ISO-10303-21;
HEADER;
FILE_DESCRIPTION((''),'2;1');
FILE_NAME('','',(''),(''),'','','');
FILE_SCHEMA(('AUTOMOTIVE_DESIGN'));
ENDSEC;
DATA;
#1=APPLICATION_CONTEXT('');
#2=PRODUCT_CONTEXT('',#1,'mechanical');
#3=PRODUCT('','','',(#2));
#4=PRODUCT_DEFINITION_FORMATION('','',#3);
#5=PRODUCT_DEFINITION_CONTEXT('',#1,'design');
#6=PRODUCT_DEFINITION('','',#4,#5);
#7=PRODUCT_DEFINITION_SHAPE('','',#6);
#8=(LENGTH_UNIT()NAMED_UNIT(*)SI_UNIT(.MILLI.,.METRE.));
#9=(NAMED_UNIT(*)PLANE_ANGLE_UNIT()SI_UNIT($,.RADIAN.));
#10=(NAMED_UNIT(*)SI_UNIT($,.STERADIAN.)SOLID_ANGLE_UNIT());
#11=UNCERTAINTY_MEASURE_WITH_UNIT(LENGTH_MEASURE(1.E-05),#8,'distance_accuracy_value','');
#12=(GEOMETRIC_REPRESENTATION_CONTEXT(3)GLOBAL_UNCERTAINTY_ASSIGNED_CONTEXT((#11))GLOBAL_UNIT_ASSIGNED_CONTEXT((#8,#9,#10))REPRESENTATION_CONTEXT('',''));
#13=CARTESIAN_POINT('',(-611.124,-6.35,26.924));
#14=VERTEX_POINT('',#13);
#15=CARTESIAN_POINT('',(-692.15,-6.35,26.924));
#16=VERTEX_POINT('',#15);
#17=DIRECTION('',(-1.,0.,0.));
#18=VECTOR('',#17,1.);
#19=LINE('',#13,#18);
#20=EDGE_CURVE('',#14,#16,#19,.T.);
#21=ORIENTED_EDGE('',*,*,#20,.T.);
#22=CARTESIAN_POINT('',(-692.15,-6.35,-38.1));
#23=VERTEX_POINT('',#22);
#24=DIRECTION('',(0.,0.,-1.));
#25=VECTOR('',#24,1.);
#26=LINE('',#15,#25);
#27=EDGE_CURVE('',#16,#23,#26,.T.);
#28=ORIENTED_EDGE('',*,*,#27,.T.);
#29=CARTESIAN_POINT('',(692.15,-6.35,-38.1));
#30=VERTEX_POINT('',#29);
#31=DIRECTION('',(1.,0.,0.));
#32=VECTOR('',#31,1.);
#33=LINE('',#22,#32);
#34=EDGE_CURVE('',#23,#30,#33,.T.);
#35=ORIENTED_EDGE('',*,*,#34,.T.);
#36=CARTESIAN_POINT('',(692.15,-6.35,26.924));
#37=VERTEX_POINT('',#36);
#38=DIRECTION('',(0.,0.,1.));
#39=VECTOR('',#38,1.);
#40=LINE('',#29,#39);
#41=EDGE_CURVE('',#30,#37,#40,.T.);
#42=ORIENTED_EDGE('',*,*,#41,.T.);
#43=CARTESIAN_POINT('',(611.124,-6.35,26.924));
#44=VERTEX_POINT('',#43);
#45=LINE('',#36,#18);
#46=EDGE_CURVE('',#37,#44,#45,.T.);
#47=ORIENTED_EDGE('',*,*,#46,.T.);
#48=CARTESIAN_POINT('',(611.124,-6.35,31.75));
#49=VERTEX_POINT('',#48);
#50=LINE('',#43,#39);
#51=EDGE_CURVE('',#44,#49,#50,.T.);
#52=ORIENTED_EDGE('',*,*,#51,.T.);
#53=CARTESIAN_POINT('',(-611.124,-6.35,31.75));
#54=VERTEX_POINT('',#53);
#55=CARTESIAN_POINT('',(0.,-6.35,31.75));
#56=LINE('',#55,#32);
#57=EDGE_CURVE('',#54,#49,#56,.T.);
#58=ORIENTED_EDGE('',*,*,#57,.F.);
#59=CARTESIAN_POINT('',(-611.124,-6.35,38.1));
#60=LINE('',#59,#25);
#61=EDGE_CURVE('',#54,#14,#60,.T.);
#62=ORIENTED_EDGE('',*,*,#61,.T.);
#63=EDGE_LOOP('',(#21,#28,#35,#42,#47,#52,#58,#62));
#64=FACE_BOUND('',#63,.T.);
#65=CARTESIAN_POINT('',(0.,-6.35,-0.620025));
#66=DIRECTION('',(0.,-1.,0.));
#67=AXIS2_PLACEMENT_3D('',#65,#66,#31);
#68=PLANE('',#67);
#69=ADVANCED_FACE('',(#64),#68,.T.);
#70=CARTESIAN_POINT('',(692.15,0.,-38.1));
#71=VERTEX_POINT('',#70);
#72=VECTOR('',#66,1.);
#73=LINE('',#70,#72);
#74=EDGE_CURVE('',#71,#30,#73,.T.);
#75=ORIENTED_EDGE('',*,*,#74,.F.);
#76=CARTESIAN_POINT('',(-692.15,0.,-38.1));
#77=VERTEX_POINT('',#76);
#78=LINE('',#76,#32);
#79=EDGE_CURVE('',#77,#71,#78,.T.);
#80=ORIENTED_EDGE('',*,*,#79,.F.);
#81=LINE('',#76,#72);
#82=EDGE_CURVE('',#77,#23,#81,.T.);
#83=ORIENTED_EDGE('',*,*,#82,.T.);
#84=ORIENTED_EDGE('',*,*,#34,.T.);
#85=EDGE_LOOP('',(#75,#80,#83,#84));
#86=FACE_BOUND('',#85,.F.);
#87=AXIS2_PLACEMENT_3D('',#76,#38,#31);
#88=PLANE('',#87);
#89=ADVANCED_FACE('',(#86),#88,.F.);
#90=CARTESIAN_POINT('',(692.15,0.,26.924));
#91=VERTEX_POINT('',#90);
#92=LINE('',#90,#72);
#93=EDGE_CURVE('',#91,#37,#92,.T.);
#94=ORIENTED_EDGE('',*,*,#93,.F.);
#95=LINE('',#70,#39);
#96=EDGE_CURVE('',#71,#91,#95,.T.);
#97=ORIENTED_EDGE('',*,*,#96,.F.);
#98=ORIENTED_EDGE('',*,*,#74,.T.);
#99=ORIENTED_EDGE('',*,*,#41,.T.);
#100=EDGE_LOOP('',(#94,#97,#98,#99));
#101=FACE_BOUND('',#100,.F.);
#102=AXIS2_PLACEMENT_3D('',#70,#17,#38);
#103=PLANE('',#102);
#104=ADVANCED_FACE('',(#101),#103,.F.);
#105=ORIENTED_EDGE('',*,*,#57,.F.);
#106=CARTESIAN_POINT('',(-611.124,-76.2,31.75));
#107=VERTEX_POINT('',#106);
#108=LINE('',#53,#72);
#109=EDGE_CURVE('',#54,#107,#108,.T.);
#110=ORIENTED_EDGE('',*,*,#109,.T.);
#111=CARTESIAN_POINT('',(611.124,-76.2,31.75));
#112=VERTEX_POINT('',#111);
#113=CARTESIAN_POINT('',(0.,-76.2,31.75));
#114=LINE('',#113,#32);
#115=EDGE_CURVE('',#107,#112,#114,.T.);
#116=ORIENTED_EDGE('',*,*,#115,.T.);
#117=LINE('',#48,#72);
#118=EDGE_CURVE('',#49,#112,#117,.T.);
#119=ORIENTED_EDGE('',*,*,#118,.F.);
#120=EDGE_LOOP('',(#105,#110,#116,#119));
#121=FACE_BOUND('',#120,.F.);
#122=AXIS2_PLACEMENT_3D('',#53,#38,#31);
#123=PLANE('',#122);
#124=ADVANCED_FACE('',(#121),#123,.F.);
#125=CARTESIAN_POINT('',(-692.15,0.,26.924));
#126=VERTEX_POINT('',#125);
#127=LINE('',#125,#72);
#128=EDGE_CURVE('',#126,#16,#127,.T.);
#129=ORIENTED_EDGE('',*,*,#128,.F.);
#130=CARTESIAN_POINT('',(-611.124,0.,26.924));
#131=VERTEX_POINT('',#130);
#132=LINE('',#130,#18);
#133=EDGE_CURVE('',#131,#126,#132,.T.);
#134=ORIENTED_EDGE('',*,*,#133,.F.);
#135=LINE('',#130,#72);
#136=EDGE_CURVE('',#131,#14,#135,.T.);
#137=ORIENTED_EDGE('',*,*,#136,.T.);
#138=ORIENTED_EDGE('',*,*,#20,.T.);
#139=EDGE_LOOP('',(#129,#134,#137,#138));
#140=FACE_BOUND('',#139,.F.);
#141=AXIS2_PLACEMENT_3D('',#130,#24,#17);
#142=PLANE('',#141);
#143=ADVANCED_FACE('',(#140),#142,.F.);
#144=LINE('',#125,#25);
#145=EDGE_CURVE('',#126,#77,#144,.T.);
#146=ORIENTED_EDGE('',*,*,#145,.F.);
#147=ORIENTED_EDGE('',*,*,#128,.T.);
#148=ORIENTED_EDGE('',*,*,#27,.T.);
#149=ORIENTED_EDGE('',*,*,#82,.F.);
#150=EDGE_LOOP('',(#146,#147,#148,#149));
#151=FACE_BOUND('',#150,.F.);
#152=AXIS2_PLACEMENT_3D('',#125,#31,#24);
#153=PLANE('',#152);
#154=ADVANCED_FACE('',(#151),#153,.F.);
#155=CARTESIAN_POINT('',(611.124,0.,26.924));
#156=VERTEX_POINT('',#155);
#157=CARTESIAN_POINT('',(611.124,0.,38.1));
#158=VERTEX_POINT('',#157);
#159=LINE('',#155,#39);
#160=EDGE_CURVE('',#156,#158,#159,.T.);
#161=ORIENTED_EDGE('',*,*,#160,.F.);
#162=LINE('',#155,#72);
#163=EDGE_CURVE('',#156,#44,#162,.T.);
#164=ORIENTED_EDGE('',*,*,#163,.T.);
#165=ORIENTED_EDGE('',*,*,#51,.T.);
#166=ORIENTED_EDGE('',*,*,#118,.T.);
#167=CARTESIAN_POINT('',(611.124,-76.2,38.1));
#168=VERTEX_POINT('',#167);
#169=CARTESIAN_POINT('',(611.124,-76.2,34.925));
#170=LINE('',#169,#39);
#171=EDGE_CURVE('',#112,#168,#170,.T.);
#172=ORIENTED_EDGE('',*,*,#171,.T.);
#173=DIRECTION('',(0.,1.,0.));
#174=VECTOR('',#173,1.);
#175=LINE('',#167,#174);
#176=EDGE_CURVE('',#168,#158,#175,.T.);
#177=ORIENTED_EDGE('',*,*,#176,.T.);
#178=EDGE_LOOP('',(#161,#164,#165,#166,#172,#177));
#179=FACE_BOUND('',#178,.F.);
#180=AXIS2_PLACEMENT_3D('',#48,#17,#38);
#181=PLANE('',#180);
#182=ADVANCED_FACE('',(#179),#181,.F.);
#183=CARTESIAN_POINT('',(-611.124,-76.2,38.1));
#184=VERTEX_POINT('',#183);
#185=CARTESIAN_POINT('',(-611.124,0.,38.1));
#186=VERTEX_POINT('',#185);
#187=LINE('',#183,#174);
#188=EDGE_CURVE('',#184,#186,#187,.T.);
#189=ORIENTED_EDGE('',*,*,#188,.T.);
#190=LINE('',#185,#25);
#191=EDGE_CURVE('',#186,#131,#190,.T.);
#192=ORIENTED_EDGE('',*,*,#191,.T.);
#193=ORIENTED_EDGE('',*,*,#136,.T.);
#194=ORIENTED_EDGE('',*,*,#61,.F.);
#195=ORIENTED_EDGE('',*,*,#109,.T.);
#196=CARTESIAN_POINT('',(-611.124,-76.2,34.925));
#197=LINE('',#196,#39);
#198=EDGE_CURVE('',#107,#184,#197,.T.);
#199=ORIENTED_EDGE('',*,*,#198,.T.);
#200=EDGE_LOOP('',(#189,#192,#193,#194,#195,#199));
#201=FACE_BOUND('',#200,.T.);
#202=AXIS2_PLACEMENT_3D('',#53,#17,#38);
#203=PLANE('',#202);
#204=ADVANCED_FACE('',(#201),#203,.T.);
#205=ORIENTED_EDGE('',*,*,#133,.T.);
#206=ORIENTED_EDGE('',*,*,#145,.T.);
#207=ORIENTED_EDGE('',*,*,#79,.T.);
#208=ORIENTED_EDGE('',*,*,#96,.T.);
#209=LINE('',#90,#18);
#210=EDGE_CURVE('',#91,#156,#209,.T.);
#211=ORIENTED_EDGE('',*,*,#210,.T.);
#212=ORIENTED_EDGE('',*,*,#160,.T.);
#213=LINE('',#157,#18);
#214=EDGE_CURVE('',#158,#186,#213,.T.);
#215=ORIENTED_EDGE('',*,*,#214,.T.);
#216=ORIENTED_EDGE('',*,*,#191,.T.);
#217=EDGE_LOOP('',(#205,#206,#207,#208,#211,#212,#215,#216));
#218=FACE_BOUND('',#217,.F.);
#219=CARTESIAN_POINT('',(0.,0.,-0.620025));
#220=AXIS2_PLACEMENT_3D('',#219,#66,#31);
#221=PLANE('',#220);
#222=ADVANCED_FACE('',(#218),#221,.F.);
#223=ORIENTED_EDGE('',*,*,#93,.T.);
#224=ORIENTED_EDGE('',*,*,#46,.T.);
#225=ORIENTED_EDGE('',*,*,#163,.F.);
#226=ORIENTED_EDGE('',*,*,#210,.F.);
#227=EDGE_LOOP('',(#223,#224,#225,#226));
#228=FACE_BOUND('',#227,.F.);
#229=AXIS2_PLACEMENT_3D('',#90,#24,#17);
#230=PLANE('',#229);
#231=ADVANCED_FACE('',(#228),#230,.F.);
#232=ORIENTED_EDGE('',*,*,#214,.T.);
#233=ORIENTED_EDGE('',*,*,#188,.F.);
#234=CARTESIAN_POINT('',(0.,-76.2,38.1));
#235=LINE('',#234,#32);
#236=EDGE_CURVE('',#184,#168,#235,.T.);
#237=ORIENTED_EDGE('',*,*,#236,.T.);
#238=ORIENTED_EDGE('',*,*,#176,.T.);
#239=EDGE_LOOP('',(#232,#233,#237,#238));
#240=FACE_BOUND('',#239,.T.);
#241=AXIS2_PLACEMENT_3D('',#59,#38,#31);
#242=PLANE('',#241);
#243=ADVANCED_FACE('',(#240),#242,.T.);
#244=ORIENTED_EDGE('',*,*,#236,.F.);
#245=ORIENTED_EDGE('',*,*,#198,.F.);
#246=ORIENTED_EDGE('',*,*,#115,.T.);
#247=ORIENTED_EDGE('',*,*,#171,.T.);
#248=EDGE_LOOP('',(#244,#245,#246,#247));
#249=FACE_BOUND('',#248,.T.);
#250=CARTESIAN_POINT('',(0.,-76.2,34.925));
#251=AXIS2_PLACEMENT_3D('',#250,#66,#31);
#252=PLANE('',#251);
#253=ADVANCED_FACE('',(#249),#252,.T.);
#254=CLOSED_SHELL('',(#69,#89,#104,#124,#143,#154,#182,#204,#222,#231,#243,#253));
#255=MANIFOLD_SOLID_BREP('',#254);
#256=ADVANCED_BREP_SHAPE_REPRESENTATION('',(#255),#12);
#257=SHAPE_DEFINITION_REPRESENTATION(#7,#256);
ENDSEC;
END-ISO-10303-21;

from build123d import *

# Parameters (mm, degrees)
F1_DEPTH = 6.35
F2_W     = 1222.248
F2_H     = 6.35
F3_DEPTH = 69.85


with BuildPart() as f1:
    # F0 (on Front) → F1 (new body)
    with BuildSketch(Plane.XZ):
        Polygon((-692.15, 26.924), (-692.15, -38.1), (692.15, -38.1), (692.15, 26.924), (611.124, 26.924), (611.124, 38.1), (-611.124, 38.1), (-611.124, 26.924), align=None)
    extrude(amount=F1_DEPTH)

    # F2 (on face) → F3 (join)
    with BuildSketch(Plane.XZ.offset(6.35)):
        with Locations((0, 34.925)):
            Rectangle(F2_W, F2_H)
    extrude(amount=F3_DEPTH)


solid = f1.part
